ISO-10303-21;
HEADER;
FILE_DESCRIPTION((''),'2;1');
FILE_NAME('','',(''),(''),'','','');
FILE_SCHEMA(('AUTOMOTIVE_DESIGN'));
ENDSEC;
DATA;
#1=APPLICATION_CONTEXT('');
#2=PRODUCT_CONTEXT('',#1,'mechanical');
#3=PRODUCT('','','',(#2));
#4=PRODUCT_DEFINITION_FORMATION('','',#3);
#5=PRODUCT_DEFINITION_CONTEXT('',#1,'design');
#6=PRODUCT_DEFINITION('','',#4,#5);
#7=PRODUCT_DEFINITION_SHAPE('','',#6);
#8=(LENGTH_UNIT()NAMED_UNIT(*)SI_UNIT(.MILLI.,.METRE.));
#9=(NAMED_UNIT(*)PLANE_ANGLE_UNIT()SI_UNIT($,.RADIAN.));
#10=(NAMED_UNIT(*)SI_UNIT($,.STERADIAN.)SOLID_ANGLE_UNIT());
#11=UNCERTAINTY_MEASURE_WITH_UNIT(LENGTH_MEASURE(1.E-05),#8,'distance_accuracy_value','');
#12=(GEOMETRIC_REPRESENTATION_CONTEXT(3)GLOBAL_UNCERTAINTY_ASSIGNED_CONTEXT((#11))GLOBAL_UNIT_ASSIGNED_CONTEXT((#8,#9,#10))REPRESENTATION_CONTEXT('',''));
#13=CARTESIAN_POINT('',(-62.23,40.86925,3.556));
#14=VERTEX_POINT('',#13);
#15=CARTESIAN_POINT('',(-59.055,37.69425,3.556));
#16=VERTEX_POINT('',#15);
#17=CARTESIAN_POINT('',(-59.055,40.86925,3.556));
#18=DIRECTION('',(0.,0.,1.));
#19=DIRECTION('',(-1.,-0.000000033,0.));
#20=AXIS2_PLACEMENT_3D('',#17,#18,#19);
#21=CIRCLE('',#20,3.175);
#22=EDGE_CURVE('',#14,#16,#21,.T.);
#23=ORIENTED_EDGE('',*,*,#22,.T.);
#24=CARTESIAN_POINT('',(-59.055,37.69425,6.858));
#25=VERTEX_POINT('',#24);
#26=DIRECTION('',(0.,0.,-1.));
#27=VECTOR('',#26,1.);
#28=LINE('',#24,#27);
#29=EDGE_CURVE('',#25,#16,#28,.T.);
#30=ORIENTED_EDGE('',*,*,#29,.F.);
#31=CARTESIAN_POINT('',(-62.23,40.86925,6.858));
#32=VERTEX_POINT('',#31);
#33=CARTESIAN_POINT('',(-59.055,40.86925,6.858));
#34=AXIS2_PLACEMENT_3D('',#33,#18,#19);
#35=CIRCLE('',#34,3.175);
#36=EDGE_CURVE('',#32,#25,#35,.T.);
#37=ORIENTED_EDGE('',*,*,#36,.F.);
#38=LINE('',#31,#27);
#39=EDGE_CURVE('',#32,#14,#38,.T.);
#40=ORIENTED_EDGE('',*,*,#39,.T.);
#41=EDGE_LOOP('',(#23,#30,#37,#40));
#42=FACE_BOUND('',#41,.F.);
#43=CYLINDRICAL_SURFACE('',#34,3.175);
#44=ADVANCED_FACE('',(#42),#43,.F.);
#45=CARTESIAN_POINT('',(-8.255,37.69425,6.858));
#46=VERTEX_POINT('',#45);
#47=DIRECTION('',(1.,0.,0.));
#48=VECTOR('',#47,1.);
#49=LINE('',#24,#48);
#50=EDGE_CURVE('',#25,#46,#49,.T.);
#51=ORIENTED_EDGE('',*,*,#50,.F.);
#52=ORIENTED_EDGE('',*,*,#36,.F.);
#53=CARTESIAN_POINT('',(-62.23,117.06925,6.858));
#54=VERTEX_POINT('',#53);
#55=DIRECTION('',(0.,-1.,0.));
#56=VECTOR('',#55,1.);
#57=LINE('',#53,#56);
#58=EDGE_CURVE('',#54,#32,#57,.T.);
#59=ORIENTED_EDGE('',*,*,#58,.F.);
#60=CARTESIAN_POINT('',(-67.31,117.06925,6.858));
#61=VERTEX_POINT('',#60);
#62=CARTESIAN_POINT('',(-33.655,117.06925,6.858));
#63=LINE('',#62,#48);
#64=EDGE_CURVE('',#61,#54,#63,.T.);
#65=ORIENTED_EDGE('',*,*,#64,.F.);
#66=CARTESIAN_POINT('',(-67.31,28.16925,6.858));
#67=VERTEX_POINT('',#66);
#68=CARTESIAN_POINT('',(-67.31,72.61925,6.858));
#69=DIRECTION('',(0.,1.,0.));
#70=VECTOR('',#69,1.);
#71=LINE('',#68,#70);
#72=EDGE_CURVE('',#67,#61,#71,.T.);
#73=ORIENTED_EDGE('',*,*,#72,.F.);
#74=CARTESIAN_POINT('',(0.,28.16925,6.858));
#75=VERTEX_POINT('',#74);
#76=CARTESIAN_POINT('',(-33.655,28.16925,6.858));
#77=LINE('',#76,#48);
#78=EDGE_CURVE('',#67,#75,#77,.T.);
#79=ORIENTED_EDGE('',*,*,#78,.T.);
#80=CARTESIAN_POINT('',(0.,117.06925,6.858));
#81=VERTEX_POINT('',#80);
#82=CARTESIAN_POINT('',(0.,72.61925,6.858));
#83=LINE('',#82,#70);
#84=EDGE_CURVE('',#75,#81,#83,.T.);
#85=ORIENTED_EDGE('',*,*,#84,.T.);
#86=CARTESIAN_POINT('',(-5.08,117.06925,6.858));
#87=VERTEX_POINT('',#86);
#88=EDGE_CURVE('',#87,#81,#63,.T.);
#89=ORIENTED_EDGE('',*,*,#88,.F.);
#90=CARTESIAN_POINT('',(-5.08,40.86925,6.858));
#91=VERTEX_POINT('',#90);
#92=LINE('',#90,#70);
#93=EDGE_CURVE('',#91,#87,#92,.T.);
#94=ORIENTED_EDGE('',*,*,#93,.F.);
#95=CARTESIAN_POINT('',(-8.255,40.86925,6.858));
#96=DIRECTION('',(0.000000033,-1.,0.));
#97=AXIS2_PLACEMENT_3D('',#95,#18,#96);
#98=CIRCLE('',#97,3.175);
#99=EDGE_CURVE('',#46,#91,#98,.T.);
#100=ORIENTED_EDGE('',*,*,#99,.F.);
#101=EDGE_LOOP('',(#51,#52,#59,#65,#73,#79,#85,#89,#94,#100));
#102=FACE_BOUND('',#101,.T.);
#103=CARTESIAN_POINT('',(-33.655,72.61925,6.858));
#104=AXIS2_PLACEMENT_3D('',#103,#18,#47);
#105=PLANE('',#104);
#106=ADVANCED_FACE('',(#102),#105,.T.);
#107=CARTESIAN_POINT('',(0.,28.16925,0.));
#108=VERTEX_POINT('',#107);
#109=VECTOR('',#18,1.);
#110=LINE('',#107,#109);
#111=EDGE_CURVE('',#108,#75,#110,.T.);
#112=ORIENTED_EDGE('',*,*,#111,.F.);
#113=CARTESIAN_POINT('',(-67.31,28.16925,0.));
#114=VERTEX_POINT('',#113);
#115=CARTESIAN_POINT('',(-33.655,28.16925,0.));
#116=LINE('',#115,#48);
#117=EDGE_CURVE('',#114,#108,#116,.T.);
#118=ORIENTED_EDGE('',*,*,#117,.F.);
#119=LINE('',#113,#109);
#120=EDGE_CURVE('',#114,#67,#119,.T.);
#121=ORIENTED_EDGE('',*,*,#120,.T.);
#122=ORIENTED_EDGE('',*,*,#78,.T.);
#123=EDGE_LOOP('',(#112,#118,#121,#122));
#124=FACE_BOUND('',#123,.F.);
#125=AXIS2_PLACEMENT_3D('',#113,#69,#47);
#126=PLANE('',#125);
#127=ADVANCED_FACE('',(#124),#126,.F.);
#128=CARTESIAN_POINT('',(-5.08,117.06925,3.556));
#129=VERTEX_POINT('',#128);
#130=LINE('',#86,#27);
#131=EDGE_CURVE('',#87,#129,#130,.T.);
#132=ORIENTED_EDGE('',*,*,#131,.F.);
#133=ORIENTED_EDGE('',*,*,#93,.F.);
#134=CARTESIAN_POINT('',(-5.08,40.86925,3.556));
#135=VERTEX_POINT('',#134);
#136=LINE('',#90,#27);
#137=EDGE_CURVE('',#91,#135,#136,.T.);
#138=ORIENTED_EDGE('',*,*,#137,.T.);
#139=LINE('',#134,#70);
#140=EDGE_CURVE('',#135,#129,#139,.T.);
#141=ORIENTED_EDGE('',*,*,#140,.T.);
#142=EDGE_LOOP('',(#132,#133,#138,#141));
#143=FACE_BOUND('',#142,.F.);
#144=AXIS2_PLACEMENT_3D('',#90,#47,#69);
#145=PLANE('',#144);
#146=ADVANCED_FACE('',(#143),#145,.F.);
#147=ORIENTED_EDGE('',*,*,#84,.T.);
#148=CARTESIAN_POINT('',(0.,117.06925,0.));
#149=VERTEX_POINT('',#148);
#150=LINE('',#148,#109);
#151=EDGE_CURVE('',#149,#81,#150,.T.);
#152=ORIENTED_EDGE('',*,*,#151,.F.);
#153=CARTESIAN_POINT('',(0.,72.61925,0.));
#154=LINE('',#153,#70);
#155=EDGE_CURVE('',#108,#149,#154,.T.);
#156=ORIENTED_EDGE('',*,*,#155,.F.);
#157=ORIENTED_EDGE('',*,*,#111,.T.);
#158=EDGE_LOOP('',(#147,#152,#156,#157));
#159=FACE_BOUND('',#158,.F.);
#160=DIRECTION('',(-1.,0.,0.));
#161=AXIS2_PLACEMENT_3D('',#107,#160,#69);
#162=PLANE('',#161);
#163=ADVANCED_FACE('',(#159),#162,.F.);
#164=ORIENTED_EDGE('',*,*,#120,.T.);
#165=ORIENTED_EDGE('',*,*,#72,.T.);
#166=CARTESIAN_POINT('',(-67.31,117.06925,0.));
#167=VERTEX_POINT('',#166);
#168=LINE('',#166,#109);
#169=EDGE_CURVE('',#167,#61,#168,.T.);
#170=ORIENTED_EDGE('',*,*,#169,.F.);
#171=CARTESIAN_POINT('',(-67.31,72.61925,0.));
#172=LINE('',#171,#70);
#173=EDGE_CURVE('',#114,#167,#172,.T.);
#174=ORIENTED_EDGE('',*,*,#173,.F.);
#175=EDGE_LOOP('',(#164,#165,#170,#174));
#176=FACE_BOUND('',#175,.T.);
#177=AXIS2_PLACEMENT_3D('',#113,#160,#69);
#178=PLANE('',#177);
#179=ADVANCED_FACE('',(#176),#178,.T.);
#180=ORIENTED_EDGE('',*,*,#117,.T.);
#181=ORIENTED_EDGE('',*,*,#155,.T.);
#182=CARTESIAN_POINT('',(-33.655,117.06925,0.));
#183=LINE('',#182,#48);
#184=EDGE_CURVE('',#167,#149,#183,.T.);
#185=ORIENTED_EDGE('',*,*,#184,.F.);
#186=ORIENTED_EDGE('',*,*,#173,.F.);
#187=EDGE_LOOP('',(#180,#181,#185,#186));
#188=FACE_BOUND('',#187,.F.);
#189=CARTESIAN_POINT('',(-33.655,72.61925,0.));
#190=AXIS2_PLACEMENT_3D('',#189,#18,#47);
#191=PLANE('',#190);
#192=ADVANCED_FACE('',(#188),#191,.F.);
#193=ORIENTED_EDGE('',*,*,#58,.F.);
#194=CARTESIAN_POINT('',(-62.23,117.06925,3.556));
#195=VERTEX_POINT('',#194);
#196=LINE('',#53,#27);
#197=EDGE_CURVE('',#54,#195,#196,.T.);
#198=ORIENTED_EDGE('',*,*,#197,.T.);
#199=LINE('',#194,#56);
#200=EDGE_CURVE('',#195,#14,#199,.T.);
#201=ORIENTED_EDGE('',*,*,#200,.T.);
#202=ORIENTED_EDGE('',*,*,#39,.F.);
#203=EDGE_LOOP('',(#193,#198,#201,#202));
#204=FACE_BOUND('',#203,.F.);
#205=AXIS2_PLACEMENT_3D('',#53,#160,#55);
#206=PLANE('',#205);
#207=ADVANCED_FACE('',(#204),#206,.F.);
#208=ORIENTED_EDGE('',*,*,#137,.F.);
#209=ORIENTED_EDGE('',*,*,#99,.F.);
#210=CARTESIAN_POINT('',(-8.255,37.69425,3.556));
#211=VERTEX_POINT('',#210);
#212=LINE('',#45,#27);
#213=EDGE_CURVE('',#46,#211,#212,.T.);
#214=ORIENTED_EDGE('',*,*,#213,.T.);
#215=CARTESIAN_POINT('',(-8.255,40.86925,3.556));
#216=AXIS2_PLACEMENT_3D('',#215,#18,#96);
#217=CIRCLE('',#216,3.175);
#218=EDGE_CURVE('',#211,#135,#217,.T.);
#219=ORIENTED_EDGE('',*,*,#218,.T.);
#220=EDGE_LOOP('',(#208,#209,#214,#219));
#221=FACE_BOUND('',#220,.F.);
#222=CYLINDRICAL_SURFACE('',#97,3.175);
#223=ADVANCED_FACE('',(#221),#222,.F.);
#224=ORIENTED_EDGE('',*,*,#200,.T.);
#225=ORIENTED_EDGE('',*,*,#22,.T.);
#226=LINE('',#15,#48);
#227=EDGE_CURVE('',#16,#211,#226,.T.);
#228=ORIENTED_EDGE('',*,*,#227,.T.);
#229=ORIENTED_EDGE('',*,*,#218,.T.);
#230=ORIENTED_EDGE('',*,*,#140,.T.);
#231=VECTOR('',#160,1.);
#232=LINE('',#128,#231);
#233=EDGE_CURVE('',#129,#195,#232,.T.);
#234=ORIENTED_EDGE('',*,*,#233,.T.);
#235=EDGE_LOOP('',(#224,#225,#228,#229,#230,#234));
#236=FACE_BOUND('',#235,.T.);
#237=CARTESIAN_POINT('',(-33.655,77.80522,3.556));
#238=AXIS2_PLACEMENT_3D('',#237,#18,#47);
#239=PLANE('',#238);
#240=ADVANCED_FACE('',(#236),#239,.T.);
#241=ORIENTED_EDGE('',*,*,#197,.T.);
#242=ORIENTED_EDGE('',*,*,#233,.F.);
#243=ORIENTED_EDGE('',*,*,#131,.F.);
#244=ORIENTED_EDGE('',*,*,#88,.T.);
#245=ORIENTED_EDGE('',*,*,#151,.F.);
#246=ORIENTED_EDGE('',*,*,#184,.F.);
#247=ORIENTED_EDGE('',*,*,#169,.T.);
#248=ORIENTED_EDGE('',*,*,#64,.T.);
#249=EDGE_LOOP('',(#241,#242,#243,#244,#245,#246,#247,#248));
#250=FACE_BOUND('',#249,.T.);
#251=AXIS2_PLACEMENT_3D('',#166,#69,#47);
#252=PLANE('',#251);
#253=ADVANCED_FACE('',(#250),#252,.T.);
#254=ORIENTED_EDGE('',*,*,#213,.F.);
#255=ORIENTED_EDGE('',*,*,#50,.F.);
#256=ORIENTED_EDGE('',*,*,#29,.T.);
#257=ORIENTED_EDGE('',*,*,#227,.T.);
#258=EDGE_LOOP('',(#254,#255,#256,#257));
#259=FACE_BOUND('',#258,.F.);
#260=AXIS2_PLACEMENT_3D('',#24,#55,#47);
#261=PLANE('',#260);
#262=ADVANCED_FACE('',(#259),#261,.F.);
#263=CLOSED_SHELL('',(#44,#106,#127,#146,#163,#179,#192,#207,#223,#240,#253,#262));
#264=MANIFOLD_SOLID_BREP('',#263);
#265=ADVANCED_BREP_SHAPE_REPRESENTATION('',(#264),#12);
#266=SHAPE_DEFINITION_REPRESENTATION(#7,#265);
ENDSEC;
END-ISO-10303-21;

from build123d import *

# Parameters (mm, degrees)
F0_W     = 67.31
F0_H     = 88.9
F1_DEPTH = 6.858
F3_DEPTH = 3.302


with BuildPart() as f1:
    # F0 (on Top) → F1 (new body)
    with BuildSketch(Plane.XY):
        with Locations((-33.655, 72.61925)):
            Rectangle(F0_W, F0_H)
    extrude(amount=F1_DEPTH)

    # F2 (on face) → F3 (cut)
    with BuildSketch(Plane.XY.offset(6.858)):
        with BuildLine():
            Line((-5.08, 117.06925), (-62.23, 117.06925))
            Line((-62.23, 117.06925), (-62.23, 40.86925))
            ThreePointArc((-62.23, 40.86925), (-61.300064, 38.624186), (-59.055, 37.69425))
            Line((-59.055, 37.69425), (-8.255, 37.69425))
            ThreePointArc((-8.255, 37.69425), (-6.009936, 38.624186), (-5.08, 40.86925))
            Line((-5.08, 40.86925), (-5.08, 117.06925))
        make_face()
    extrude(amount=-F3_DEPTH, mode=Mode.SUBTRACT)


solid = f1.part
